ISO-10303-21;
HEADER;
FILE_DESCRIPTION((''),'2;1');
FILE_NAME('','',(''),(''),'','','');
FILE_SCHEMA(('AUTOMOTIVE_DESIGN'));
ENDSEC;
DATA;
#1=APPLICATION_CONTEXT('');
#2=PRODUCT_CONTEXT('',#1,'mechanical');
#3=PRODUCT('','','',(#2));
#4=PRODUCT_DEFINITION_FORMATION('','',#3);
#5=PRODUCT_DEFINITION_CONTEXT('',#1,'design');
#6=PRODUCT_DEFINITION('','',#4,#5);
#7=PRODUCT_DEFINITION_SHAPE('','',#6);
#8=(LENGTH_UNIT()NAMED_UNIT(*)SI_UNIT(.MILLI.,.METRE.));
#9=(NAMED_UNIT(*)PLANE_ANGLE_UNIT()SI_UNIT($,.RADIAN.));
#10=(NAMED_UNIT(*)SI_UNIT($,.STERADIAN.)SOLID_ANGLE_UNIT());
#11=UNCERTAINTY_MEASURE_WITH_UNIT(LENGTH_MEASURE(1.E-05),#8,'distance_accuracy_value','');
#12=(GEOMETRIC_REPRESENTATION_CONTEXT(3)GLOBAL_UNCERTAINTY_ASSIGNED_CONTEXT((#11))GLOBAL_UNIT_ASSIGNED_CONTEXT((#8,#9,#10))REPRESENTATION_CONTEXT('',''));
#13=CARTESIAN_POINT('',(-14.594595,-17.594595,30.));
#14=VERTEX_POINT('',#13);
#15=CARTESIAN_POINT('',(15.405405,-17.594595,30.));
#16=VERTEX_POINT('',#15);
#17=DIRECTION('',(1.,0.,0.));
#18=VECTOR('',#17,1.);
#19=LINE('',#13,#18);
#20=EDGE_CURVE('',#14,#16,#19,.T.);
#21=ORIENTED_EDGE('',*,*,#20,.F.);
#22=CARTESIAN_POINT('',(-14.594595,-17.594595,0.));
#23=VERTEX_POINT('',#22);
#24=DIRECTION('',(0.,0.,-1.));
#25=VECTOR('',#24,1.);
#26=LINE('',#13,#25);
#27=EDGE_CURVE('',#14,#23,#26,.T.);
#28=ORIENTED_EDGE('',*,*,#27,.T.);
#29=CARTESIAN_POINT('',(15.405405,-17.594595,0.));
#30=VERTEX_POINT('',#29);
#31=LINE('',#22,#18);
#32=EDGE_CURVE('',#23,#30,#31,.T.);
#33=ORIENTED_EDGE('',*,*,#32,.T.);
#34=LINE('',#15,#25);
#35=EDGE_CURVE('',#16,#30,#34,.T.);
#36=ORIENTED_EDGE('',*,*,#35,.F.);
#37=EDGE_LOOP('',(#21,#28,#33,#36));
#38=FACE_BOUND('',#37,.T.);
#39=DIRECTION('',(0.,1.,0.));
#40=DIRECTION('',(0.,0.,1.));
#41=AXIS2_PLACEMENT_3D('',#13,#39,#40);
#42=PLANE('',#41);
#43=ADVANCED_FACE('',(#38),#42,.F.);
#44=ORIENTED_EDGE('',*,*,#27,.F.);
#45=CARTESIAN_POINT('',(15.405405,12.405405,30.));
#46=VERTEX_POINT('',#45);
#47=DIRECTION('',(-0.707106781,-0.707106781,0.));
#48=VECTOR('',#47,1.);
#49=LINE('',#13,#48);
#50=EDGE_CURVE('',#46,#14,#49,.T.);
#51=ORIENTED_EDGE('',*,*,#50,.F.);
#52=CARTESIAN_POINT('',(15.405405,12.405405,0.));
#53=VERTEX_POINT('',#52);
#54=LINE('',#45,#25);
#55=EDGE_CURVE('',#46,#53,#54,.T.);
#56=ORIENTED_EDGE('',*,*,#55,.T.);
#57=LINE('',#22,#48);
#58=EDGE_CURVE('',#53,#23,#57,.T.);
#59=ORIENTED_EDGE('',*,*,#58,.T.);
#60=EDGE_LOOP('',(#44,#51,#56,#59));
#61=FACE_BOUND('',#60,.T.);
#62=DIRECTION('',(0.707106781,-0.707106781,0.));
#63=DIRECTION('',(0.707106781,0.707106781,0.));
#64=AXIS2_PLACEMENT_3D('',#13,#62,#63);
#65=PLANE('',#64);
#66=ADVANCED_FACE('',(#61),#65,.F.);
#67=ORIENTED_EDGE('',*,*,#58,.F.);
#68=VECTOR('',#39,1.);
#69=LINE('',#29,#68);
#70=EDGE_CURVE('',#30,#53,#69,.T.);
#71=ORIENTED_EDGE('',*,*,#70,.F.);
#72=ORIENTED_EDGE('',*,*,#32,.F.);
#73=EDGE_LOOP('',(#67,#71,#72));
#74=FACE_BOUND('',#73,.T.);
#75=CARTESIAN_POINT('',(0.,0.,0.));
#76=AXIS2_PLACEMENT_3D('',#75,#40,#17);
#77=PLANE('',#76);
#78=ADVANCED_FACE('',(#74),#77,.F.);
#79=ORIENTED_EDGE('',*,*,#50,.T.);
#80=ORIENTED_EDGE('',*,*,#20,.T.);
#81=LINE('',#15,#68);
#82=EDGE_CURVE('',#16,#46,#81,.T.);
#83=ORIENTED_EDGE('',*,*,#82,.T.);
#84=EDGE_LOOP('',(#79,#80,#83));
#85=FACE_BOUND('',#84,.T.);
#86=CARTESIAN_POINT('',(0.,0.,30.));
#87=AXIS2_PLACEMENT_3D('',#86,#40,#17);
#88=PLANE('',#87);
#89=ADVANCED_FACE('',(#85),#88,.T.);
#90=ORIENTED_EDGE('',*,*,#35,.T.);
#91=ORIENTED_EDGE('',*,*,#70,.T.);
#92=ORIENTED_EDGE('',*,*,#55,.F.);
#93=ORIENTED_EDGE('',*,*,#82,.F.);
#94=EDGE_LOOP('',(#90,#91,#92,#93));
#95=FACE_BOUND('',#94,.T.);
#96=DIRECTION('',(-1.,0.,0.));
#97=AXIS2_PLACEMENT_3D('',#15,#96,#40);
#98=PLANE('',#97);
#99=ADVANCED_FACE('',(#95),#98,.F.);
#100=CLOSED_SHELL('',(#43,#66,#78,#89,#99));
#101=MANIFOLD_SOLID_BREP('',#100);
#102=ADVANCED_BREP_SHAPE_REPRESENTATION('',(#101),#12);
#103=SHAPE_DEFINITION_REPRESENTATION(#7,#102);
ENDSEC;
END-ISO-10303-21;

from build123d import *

# Parameters (mm, degrees)
BOSS_EXTRUDE1_DEPTH = 30


with BuildPart() as part:
    # Sketch1 → Boss-Extrude1 (new body)
    with BuildSketch(Plane.XY):
        Polygon((-14.594594595, -17.594594595), (15.405405405, 12.405405405), (15.405405405, -17.594594595), align=None)
    extrude(amount=BOSS_EXTRUDE1_DEPTH)


solid = part.part
